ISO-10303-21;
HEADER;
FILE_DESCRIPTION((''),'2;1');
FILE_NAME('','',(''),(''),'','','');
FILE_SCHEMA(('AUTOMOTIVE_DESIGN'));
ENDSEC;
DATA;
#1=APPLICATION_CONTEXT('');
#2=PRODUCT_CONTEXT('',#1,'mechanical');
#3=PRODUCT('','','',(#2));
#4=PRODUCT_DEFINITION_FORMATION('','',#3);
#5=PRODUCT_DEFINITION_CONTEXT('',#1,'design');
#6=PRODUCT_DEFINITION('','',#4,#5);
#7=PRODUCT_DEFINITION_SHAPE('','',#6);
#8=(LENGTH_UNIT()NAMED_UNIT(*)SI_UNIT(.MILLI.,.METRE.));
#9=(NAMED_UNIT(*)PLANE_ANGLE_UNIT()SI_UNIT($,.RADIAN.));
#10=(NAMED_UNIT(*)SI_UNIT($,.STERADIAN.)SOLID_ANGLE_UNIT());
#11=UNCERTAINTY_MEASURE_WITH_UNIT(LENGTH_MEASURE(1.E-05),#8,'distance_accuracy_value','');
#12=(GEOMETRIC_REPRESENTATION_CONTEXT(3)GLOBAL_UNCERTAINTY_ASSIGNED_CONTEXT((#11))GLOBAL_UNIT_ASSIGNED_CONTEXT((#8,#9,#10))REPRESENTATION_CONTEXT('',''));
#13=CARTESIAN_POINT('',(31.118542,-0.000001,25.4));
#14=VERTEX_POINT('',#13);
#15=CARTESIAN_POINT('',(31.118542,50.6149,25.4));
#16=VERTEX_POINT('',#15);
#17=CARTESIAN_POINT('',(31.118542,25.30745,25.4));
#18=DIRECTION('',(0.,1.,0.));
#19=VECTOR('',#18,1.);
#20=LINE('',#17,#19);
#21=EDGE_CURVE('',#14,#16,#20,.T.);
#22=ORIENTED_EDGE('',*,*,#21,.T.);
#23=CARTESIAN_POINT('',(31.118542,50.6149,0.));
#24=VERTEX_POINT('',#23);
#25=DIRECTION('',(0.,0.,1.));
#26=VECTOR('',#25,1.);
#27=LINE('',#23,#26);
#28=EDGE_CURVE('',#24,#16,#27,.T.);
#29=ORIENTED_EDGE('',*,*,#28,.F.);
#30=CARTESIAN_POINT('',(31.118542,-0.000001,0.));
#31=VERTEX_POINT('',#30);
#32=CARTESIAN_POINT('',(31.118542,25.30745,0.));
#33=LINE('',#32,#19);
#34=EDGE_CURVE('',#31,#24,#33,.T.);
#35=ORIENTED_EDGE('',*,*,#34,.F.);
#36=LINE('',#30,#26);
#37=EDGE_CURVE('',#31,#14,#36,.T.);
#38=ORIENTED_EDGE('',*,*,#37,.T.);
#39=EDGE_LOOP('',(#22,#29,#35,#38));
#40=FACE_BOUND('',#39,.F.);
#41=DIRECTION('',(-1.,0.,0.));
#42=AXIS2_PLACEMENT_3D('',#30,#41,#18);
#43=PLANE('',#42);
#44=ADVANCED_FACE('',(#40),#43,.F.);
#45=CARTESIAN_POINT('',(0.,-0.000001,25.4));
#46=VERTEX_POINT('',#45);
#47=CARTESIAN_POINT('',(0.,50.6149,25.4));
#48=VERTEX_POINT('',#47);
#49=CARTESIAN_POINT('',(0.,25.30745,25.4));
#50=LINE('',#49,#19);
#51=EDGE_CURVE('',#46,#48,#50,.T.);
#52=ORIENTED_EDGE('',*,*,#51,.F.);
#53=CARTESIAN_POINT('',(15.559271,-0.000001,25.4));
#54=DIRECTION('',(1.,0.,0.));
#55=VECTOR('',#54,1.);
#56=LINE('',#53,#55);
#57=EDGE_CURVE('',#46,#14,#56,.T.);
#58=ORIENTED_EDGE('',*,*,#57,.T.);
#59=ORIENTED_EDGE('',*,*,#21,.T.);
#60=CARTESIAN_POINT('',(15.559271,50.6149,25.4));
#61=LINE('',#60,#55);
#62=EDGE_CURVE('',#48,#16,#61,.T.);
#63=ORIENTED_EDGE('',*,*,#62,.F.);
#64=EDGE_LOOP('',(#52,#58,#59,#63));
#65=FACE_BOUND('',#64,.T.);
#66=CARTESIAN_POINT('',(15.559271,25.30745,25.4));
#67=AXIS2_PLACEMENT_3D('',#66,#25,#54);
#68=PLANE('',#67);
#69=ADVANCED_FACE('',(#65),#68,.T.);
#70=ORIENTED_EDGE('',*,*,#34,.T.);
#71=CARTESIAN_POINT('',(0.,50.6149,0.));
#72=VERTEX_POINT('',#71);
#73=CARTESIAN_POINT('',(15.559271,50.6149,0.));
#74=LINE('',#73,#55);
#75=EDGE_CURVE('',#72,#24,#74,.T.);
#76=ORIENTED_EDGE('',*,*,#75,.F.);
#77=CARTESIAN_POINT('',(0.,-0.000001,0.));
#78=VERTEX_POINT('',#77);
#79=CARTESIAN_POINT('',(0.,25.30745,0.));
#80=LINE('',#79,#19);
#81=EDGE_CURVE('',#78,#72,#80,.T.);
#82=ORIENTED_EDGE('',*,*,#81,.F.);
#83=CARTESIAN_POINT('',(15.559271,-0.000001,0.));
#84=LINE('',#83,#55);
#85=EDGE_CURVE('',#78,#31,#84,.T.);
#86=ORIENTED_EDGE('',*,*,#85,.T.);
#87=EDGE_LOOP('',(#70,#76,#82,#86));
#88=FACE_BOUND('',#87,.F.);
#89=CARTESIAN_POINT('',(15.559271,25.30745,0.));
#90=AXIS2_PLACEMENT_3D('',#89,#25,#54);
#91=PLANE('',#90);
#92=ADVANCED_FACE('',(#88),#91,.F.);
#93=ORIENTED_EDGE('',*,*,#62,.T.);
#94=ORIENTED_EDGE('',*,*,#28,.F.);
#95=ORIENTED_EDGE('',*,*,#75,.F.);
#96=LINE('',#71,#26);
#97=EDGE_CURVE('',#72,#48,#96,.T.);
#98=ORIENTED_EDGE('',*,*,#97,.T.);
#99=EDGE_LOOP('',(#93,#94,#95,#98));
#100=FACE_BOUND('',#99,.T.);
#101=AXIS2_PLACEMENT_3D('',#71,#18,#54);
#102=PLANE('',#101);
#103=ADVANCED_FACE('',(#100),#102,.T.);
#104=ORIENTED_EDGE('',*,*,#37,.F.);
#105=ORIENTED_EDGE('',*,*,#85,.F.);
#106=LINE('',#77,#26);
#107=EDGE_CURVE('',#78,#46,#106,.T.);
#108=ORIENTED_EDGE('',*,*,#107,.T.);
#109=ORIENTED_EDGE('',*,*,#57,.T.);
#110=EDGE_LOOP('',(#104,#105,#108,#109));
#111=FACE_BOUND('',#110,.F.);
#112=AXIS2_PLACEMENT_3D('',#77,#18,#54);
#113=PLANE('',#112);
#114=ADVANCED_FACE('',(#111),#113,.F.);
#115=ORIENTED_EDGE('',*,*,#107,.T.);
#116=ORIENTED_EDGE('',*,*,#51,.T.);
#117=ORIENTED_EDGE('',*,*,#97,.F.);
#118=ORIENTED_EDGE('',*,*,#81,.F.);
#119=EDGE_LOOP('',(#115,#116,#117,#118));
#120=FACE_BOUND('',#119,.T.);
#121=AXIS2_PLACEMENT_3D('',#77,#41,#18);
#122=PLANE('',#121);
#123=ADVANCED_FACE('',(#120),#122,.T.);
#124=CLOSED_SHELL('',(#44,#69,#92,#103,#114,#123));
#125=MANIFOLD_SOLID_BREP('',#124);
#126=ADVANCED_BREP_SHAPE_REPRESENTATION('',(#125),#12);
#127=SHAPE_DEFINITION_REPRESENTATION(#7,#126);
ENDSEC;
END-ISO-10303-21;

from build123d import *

# Parameters (mm, degrees)
F1_W     = 31.118542
F1_H     = 50.614901
F2_DEPTH = 25.4


with BuildPart() as f2:
    # F1 (on face) → F2 (new body)
    with BuildSketch(Plane.XY):
        with Locations((15.559271, 25.30745)):
            Rectangle(F1_W, F1_H)
    extrude(amount=F2_DEPTH)


solid = f2.part
